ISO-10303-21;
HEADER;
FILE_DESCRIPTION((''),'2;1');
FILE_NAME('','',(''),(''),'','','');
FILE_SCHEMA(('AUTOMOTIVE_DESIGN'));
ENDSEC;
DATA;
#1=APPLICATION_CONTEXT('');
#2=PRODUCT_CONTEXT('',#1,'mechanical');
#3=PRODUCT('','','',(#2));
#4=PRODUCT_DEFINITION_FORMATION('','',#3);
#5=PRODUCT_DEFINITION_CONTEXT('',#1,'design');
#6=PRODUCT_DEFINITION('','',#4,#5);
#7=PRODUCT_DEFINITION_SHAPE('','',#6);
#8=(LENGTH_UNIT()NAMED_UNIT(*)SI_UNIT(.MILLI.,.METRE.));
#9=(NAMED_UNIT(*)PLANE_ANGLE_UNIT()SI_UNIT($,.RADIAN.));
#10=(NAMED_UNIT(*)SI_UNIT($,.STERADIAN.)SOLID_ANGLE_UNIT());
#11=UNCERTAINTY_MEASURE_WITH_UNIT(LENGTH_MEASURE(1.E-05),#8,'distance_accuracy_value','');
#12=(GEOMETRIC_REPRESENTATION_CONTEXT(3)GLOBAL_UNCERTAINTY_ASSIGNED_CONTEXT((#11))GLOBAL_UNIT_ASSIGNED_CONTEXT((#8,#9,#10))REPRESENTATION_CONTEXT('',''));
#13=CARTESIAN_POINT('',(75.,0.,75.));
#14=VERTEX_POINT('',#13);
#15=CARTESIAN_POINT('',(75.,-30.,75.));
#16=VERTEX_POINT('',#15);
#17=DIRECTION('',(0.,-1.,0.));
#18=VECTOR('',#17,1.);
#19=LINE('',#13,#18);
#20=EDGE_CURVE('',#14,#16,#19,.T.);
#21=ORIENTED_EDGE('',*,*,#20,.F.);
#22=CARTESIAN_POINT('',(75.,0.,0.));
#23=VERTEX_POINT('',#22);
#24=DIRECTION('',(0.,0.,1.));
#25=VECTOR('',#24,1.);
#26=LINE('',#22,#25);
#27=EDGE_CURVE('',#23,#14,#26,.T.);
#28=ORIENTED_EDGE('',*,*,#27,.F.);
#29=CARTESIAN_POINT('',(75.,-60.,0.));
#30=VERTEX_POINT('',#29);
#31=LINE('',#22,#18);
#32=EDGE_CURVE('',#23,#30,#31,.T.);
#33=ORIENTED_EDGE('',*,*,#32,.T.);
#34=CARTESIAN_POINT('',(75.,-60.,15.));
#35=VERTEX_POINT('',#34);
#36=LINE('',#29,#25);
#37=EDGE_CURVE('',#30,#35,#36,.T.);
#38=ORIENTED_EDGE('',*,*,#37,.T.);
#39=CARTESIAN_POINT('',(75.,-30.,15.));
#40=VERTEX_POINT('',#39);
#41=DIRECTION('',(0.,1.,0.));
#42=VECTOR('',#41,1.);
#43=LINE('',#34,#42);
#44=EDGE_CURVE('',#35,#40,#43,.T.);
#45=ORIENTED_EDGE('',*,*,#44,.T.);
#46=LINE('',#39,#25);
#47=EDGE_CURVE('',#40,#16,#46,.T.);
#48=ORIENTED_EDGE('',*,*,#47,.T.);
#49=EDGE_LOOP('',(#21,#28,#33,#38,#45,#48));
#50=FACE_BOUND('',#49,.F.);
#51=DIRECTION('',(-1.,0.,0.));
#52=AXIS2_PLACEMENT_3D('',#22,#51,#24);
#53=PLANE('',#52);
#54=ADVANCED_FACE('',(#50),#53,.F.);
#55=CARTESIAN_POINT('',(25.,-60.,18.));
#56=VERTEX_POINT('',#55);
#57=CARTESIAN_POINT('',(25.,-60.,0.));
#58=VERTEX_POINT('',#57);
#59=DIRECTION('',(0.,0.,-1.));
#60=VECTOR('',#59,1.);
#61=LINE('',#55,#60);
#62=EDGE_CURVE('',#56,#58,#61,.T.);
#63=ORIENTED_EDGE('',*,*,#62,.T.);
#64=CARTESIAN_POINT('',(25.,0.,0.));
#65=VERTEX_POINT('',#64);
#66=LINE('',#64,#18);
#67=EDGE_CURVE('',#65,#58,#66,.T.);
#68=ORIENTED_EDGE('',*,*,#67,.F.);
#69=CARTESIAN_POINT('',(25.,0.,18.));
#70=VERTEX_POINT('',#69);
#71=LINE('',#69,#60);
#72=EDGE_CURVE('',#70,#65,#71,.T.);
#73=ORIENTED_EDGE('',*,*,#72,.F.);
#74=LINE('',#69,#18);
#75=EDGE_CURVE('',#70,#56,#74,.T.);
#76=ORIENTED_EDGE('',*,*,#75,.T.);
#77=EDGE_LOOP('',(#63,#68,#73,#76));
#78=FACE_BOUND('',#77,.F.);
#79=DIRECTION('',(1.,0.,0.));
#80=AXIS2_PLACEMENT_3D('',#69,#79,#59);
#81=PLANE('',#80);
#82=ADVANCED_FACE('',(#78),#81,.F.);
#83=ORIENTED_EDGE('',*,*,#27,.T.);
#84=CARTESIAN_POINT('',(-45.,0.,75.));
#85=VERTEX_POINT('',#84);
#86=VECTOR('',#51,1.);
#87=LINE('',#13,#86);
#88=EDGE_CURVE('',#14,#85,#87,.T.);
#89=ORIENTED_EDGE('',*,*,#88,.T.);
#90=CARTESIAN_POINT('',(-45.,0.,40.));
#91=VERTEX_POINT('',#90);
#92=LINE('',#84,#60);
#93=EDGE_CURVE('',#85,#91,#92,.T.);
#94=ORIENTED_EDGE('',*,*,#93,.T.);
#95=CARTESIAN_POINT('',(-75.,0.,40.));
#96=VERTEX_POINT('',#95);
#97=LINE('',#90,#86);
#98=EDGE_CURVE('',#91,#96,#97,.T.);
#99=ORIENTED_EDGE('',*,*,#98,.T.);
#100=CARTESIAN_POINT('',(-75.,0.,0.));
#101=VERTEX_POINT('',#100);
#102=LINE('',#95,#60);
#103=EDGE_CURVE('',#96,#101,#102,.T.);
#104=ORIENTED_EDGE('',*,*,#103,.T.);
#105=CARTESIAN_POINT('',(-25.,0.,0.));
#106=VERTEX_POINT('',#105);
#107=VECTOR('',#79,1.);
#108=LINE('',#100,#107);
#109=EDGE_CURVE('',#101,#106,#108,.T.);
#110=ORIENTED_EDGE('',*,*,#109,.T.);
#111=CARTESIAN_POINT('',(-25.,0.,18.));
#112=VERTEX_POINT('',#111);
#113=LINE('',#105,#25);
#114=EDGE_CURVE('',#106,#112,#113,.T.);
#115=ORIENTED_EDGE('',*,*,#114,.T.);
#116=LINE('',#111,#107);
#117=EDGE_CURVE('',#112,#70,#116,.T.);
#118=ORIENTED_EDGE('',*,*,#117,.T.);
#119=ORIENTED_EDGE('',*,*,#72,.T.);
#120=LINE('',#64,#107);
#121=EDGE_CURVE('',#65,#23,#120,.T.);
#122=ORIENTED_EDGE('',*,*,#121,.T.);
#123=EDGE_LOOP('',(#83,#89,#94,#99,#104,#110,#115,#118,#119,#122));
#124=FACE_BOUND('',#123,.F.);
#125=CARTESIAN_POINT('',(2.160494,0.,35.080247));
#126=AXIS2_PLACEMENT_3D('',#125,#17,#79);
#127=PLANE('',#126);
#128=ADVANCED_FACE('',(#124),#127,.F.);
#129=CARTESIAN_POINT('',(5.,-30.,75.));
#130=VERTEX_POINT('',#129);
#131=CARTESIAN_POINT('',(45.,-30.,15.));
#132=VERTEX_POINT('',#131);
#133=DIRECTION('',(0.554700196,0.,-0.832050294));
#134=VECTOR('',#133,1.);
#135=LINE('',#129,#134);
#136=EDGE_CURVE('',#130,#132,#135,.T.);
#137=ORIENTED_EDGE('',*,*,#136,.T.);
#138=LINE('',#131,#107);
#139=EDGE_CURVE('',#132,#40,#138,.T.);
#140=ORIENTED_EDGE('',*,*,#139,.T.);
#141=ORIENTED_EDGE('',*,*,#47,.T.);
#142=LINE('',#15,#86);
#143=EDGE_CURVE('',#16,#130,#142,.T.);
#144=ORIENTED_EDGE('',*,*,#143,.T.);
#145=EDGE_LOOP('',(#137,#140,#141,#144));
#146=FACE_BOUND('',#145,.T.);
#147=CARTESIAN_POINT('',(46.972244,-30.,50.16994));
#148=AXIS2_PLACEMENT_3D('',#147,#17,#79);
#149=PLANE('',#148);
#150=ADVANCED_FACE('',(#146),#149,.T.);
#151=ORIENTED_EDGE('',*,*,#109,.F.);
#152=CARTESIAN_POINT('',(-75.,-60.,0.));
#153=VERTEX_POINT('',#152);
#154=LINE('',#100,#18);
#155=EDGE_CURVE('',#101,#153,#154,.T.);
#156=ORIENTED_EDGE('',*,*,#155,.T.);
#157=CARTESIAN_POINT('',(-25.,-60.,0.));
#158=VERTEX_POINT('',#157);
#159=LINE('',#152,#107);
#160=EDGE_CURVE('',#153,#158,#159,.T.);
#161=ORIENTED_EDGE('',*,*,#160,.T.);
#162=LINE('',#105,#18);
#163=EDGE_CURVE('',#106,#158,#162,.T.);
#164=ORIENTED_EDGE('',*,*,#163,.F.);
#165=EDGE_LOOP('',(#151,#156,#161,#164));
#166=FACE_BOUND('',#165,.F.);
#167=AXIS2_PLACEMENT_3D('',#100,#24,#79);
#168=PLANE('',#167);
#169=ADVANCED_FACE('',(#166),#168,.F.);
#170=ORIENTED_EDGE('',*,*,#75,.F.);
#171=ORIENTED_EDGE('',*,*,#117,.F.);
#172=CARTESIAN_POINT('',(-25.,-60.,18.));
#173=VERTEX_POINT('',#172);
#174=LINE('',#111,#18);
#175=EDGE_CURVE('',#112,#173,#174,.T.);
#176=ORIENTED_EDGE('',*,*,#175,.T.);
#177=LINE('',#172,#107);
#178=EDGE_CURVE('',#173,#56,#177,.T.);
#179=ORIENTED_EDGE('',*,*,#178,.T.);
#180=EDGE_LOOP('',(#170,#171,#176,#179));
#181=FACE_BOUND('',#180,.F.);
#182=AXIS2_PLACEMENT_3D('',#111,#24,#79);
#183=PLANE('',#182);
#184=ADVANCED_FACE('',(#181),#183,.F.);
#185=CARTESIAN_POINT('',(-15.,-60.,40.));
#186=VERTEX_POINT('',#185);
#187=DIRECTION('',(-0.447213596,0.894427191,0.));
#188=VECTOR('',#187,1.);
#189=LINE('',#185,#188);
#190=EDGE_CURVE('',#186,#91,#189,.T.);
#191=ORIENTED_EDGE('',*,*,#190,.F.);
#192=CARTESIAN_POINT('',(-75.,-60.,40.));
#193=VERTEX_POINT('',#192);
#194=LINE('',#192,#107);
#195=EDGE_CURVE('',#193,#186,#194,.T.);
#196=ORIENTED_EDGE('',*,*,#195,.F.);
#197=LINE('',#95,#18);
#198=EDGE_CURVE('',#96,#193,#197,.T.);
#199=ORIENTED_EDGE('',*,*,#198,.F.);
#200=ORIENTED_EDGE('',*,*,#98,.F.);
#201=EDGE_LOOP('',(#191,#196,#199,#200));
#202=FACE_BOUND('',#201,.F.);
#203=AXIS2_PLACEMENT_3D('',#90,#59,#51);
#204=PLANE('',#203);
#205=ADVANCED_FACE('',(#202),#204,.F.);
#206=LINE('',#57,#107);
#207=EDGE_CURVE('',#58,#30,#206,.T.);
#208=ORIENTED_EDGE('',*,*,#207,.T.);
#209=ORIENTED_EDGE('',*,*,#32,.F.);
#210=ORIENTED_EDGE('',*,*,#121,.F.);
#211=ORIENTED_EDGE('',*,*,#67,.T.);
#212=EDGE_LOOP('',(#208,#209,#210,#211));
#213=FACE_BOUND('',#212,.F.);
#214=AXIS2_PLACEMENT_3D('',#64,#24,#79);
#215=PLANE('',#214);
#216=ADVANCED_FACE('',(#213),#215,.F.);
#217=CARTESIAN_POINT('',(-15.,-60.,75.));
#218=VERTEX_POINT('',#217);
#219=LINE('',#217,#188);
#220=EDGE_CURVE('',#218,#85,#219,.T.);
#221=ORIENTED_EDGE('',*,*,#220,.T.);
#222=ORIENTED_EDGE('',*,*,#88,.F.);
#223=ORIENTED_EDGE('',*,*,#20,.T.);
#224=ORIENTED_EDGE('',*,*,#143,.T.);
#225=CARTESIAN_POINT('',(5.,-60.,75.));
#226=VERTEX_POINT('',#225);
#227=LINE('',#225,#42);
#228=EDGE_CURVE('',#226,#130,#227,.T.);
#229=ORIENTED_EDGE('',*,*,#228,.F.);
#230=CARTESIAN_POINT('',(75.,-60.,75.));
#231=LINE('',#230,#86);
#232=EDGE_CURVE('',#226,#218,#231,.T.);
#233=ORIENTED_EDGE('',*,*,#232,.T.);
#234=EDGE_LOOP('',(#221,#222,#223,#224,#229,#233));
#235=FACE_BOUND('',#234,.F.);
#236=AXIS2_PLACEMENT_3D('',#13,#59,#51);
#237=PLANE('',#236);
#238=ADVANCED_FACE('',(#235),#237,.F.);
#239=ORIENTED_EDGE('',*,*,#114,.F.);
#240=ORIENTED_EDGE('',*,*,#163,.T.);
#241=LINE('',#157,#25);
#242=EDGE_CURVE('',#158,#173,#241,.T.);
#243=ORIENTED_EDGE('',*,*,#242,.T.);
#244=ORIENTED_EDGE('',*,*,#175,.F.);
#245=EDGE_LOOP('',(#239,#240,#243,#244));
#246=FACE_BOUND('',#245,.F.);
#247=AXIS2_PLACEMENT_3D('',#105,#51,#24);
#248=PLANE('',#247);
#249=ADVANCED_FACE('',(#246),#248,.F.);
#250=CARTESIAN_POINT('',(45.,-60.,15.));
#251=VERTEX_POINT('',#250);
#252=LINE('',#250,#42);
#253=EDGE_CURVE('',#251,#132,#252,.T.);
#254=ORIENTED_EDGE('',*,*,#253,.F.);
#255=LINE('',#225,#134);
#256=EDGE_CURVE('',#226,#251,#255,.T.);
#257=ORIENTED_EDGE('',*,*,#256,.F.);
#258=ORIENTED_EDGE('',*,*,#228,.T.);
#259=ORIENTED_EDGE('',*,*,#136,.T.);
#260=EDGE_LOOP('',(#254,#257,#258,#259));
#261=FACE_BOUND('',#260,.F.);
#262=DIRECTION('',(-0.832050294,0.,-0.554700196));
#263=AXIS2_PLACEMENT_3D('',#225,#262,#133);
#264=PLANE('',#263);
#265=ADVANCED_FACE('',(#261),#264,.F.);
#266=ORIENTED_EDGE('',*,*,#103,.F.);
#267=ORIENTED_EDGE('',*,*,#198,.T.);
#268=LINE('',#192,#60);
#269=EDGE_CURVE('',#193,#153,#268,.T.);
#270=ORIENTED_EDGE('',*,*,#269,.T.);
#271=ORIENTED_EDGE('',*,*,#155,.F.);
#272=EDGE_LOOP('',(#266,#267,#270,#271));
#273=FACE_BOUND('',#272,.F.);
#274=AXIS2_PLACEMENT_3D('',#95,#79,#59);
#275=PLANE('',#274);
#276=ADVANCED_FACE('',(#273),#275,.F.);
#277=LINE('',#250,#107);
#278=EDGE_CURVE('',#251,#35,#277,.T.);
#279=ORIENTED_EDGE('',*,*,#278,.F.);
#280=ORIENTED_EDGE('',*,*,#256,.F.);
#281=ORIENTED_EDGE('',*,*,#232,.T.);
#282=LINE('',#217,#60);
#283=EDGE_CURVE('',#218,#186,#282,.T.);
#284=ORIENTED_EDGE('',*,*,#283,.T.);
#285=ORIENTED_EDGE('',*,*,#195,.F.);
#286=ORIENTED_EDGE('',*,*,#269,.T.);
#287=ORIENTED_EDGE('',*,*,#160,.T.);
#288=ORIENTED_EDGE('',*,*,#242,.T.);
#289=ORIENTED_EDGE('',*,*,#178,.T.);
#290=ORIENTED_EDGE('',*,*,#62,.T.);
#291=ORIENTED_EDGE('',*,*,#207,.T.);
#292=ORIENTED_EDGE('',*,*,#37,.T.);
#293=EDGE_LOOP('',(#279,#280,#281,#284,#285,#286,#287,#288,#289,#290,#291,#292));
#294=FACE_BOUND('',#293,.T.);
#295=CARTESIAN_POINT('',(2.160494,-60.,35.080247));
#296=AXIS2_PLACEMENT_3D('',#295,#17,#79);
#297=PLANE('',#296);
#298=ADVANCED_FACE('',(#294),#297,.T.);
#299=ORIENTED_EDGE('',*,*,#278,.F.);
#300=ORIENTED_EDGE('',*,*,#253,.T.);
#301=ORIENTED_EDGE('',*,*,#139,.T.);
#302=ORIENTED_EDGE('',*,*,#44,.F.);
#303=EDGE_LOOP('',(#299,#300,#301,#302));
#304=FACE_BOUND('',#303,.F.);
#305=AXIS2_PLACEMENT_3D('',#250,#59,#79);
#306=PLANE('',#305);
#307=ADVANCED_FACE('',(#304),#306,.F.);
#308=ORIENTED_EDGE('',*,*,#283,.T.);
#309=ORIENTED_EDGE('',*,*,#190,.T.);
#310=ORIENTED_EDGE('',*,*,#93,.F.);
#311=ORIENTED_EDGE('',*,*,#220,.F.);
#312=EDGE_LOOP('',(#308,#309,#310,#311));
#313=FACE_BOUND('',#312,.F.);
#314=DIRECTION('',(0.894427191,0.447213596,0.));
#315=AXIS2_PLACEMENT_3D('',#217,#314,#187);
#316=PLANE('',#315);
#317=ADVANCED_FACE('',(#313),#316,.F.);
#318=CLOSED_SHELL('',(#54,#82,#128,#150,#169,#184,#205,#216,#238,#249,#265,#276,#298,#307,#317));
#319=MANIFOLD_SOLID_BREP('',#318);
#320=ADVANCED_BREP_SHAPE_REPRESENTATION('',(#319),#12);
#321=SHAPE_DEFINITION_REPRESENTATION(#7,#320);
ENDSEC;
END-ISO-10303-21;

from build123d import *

# Parameters (mm, degrees)
F1_DEPTH = 60
F3_DEPTH = 30
F5_DEPTH = 35


with BuildPart() as f1:
    # F0 (on Front) → F1 (new body)
    with BuildSketch(Plane.XZ):
        Polygon((-75, 40), (-75, 0), (-25, 0), (-25, 18), (25, 18), (25, 0), (75, 0), (75, 75), (-45, 75), (-45, 40), align=None)
    extrude(amount=F1_DEPTH)

    # F2 (on face) → F3 (cut)
    with BuildSketch(Plane.XZ.offset(60)):
        Polygon((75, 15), (75, 75), (5, 75), (45, 15), align=None)
    extrude(amount=-F3_DEPTH, mode=Mode.SUBTRACT)

    # F4 (on face) → F5 (cut)
    with BuildSketch(Plane.XY.offset(75)):
        Polygon((-15, -60), (-45, 0), (-45, -60), align=None)
    extrude(amount=-F5_DEPTH, mode=Mode.SUBTRACT)


solid = f1.part
